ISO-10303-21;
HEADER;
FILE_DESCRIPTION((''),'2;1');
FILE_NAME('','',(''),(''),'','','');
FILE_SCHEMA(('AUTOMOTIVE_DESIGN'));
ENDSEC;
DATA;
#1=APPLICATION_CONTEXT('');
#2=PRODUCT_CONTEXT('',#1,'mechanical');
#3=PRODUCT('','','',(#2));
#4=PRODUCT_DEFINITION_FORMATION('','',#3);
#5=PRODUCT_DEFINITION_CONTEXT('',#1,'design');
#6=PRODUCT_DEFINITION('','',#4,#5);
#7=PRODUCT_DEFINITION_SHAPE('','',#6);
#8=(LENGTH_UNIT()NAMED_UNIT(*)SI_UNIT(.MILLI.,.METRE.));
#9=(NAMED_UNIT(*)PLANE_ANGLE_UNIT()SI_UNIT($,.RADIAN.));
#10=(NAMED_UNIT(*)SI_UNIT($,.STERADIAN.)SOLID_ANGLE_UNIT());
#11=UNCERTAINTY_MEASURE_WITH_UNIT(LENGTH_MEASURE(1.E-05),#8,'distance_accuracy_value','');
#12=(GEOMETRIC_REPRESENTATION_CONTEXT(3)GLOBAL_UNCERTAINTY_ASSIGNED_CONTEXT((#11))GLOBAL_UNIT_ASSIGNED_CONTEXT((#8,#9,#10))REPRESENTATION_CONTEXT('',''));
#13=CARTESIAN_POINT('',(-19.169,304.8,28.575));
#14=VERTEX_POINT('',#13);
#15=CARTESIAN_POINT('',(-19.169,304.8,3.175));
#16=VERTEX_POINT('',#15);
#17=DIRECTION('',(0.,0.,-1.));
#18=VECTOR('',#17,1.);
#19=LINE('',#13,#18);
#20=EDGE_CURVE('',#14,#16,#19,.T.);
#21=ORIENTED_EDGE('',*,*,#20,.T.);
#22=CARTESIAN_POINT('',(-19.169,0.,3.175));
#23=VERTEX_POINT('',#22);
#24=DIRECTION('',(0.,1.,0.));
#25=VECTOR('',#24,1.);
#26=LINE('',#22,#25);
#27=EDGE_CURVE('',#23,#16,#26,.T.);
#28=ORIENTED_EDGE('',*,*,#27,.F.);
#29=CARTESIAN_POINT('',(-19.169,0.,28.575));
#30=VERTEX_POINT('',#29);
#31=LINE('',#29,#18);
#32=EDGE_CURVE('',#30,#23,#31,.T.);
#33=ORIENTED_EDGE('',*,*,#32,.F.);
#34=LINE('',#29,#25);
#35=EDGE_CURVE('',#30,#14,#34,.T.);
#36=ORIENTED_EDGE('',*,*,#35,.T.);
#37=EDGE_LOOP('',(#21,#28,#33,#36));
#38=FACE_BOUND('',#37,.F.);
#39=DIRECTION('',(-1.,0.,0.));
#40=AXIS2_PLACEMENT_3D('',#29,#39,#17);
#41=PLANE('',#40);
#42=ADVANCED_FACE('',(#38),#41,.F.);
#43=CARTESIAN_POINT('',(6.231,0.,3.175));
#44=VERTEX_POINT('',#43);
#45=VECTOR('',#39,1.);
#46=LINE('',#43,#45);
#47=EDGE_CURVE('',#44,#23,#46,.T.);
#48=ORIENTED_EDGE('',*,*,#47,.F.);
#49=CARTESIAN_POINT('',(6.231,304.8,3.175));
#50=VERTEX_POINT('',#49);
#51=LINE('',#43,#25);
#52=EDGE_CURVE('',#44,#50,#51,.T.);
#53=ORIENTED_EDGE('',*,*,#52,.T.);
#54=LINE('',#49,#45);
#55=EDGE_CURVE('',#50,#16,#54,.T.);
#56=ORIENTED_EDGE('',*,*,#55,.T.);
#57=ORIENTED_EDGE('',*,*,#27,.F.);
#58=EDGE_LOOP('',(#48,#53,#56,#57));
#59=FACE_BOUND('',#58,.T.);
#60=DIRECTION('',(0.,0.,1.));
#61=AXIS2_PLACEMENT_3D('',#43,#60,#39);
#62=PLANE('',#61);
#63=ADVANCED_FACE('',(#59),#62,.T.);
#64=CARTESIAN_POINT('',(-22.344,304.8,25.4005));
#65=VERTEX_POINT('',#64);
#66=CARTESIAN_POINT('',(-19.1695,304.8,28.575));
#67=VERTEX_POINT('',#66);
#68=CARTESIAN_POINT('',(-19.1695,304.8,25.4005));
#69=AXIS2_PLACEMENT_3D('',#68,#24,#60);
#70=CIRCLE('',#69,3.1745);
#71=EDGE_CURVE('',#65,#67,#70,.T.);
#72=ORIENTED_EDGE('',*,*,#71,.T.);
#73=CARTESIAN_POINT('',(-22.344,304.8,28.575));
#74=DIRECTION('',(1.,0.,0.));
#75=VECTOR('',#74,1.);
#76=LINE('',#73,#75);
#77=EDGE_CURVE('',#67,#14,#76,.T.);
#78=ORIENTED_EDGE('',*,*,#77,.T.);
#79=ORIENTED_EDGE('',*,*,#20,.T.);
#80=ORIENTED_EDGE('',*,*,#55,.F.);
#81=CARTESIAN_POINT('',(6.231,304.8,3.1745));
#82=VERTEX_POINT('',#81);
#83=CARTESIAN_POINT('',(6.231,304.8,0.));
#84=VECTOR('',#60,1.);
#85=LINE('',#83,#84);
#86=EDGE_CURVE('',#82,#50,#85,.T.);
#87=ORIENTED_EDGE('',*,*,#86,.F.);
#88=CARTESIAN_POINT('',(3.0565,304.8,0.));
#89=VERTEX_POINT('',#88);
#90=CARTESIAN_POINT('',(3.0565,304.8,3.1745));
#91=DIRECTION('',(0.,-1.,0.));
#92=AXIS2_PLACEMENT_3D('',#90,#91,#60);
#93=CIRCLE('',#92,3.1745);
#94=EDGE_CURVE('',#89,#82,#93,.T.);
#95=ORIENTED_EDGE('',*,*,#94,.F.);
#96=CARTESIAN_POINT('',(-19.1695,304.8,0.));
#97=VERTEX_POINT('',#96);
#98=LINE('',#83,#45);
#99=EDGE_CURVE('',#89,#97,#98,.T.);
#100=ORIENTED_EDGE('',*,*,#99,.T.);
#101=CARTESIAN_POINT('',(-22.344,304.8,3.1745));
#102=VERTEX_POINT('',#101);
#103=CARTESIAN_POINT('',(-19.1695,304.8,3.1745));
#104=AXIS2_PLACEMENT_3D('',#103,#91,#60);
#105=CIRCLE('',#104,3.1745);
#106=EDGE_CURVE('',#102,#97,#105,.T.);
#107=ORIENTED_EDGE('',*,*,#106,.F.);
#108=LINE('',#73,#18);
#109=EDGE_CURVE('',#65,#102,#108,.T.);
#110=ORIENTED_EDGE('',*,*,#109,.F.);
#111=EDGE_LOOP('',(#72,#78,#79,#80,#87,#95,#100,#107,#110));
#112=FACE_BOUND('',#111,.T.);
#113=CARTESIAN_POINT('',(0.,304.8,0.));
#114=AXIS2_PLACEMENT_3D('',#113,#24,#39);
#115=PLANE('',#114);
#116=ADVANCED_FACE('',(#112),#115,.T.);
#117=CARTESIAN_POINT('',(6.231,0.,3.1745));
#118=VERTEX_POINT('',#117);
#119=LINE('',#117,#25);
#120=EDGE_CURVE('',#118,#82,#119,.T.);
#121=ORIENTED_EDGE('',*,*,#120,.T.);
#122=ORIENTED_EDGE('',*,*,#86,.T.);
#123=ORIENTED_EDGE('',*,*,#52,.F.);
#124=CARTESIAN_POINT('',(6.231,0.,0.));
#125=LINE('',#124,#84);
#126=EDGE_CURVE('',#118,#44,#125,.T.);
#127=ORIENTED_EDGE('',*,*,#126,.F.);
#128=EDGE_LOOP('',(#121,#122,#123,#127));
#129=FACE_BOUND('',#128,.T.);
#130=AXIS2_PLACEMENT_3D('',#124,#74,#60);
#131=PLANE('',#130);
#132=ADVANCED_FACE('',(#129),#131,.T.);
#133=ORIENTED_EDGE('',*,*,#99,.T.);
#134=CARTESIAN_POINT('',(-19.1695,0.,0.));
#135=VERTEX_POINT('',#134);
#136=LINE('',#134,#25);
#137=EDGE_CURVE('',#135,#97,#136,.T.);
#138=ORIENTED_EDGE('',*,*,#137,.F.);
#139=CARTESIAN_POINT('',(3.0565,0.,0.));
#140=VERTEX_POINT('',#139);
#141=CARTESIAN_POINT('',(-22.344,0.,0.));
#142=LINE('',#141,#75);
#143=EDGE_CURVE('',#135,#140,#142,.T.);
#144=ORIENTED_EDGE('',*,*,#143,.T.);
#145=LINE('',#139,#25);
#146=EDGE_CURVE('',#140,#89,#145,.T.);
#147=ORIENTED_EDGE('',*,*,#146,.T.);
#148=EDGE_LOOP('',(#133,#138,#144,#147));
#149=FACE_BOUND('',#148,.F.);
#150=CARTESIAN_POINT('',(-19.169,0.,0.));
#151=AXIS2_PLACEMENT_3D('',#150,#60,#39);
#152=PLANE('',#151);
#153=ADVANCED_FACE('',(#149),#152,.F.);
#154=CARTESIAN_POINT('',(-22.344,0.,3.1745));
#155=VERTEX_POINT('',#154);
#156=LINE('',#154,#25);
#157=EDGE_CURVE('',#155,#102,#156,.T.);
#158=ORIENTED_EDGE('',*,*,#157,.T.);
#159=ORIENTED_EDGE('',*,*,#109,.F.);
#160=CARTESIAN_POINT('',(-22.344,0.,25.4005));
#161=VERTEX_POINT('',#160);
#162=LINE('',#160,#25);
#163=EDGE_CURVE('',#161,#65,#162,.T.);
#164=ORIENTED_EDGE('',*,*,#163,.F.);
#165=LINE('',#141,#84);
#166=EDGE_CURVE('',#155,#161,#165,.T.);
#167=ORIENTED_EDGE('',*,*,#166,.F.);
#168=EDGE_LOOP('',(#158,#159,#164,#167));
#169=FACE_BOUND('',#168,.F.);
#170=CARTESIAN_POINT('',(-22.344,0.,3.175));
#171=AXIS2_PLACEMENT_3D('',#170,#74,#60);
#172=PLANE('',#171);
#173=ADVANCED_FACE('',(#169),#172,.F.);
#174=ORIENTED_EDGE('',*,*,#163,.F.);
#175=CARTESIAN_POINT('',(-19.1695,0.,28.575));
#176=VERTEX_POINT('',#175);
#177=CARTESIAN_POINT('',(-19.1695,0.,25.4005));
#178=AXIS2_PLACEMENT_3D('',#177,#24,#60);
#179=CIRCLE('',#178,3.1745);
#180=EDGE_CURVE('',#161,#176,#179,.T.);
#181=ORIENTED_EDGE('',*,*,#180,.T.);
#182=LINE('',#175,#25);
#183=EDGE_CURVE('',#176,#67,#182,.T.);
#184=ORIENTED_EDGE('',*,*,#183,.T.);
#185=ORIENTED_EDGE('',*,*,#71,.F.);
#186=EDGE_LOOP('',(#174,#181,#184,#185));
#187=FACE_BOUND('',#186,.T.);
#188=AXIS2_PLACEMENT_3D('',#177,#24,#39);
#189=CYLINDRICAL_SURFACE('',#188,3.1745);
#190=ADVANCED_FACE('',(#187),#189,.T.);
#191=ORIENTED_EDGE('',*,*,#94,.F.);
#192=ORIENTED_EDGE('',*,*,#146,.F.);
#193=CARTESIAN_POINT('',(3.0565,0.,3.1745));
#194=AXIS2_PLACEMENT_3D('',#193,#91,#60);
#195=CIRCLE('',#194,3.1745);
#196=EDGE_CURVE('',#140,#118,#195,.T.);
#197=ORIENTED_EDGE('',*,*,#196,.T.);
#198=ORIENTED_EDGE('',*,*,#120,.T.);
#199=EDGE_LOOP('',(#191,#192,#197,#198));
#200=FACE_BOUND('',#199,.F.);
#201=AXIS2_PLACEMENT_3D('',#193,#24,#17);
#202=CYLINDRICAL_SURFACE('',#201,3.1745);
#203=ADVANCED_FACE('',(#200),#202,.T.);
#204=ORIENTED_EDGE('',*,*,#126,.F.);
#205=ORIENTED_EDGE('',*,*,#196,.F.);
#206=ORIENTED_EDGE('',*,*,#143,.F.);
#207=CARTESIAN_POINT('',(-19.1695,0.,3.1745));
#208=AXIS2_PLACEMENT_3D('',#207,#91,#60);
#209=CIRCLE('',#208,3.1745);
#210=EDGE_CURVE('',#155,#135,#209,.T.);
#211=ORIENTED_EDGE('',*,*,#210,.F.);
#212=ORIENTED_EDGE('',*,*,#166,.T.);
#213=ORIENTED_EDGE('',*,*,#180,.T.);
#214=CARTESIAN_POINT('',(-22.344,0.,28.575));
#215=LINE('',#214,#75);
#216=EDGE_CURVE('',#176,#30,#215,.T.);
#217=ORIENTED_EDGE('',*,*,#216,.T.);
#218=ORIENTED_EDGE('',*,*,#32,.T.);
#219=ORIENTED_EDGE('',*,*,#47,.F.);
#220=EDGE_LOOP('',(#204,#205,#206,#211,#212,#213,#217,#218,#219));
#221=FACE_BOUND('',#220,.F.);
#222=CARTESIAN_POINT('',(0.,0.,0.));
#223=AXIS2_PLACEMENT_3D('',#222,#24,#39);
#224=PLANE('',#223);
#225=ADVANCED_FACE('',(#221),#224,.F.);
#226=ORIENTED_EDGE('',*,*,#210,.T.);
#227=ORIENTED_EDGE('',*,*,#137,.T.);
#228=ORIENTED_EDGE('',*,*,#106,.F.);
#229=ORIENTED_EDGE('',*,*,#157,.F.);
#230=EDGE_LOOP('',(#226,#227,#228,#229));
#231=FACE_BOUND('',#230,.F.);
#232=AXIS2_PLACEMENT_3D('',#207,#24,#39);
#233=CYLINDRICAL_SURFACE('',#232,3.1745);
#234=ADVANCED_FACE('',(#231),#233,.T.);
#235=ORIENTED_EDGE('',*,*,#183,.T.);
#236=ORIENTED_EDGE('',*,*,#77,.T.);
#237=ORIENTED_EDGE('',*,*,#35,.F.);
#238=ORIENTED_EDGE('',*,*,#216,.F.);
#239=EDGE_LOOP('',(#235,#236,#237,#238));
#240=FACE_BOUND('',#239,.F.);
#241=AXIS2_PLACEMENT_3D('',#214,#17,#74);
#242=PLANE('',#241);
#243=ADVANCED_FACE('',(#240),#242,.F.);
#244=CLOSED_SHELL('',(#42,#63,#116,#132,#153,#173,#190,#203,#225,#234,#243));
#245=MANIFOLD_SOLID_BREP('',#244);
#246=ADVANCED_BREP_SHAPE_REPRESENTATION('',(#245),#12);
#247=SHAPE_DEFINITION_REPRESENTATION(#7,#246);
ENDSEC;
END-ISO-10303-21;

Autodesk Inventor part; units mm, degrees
ref_plane "YZ Plane" through (0, 0, 0) normal (1, 0, 0) x (0, 1, 0)
ref_plane "XZ Plane" through (0, 0, 0) normal (0, 1, 0) x (-1, 0, 0)
ref_plane "XY Plane" through (0, 0, 0) normal (0, 0, 1) x (1, 0, 0)
sketch "Sketch1" plane through (0, 0, 0) normal (0, 1, 0) x (-1, 0, 0)
  line L0 (22.344, 28.575) -> (19.169, 28.575)
  line L1 (19.169, 28.575) -> (19.169, 0)
  line L2 (19.169, 0) -> (22.344, 0)
  line L3 (22.344, 0) -> (22.344, 28.575)
  line L4 (22.344, 0) -> (-6.231, 0)
  line L5 (-6.231, 0) -> (-6.231, 3.175)
  line L6 (-6.231, 3.175) -> (22.344, 3.175)
  line L7 (22.344, 3.175) -> (22.344, 0)
  point P0 (0, 0)
  point P1 (20.7565, 0)
  point P2 (20.7565, 28.575)
  point P3 (19.169, 3.175)
  point P4 (19.169, 0)
  dimension "d0" = 3.175
  dimension "d1" = 3.175
  dimension "d2" = 28.575
  dimension "d3" = 28.575
extrude "Extrusion1" add sketch "Sketch1" along normal blind 304.8
fillet "Fillet1" radius 3.175 3 edges at (6.231, 152.4, 0) (-22.344, 152.4, 0) (-22.344, 152.4, 28.575)
properties part number "Cargo Aluminum L"
